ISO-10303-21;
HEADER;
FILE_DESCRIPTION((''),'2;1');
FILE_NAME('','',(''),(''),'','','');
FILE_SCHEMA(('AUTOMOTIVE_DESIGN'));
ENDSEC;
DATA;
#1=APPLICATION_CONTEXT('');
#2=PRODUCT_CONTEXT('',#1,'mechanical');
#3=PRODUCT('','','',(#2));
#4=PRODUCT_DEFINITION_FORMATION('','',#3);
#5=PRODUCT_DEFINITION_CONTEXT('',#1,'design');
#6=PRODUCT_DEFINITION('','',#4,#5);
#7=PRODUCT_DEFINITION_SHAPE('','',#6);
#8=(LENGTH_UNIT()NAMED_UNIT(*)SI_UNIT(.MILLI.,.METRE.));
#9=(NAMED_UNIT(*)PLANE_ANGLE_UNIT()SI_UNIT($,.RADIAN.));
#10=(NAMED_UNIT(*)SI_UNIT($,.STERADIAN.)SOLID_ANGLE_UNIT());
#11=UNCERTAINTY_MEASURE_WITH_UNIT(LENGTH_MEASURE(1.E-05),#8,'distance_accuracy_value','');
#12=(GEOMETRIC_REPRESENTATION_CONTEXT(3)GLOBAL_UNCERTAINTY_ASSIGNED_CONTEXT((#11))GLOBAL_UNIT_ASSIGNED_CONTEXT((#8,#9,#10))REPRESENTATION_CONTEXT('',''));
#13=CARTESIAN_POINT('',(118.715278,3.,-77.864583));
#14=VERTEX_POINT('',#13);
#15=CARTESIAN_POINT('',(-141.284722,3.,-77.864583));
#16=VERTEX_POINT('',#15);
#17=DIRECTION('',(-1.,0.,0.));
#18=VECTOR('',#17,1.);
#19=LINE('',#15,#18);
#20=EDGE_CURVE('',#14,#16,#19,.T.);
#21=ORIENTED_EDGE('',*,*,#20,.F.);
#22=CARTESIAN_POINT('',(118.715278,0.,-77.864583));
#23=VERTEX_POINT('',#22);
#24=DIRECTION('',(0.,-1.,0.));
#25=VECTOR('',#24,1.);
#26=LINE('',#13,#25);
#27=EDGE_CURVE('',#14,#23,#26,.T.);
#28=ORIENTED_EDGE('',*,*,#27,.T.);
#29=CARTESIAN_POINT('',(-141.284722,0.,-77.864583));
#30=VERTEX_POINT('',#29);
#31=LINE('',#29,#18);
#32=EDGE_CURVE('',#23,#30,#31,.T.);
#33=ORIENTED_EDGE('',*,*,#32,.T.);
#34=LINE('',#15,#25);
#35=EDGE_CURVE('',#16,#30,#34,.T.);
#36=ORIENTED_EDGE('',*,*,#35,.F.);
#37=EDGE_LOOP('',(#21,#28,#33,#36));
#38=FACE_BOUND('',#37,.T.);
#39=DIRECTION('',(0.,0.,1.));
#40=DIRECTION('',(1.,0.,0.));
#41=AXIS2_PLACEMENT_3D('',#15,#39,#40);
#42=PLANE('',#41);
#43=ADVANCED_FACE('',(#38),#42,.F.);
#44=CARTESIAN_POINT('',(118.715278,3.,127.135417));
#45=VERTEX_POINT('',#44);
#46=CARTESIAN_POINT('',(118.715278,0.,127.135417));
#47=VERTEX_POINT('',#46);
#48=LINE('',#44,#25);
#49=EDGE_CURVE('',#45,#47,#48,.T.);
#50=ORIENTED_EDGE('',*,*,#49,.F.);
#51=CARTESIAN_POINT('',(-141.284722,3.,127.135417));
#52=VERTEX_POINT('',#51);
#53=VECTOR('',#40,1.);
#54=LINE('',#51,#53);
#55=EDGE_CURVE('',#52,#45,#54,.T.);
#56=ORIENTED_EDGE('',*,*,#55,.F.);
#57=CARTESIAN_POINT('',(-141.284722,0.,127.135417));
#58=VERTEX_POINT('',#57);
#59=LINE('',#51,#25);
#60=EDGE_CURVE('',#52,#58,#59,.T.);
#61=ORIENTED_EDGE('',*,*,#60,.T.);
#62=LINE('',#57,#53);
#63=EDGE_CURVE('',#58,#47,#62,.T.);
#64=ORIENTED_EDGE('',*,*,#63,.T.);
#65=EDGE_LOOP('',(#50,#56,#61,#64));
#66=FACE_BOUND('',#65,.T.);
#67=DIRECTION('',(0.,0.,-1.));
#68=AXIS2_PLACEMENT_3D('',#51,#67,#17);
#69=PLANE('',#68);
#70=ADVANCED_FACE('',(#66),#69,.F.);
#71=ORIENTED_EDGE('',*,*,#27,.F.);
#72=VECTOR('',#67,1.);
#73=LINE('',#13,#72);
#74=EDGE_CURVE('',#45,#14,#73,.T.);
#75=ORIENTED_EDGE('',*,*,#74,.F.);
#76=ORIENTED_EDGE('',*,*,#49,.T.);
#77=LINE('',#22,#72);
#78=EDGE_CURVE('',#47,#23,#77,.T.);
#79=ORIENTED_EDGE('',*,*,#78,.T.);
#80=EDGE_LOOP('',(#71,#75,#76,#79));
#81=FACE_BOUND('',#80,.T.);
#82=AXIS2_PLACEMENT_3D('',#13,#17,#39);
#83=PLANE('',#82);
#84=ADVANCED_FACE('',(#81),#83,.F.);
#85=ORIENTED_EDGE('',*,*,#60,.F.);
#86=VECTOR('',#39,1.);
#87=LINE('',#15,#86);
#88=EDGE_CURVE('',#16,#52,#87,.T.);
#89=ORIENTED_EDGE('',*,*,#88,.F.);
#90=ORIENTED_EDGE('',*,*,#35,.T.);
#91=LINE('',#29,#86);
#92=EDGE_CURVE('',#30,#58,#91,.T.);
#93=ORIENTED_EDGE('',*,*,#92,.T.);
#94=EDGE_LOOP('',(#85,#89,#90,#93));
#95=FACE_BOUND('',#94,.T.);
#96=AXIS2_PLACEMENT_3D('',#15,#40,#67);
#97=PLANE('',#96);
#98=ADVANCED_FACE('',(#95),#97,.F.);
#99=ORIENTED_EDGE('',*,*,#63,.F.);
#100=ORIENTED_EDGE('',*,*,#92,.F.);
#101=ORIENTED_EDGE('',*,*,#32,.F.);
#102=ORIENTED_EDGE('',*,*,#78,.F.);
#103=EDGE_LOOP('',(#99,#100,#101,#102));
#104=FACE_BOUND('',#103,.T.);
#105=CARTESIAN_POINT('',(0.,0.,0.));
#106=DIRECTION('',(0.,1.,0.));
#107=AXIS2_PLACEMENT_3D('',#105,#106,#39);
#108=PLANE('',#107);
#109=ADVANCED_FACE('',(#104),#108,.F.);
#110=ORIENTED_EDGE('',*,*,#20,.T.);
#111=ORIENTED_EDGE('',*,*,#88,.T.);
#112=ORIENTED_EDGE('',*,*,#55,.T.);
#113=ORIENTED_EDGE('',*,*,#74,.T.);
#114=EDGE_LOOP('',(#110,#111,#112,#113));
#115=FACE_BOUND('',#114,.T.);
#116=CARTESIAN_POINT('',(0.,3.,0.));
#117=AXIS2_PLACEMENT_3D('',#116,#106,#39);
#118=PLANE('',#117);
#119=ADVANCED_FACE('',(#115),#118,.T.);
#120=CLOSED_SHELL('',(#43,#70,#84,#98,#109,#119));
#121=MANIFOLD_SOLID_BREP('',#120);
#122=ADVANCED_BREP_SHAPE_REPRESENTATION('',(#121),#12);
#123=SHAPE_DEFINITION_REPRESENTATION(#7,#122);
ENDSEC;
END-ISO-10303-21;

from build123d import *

# Parameters (mm, degrees)
SKETCH1_W           = 260
SKETCH1_H           = 205
BOSS_EXTRUDE1_DEPTH = 3


with BuildPart() as part:
    # Sketch1 → Boss-Extrude1 (new body)
    with BuildSketch(Plane(origin=(0, 0, 0), x_dir=(1, 0, 0), z_dir=(0, 1, 0))):
        with Locations((-11.284722222, -24.635416667)):
            Rectangle(SKETCH1_W, SKETCH1_H)
    extrude(amount=BOSS_EXTRUDE1_DEPTH)


solid = part.part
